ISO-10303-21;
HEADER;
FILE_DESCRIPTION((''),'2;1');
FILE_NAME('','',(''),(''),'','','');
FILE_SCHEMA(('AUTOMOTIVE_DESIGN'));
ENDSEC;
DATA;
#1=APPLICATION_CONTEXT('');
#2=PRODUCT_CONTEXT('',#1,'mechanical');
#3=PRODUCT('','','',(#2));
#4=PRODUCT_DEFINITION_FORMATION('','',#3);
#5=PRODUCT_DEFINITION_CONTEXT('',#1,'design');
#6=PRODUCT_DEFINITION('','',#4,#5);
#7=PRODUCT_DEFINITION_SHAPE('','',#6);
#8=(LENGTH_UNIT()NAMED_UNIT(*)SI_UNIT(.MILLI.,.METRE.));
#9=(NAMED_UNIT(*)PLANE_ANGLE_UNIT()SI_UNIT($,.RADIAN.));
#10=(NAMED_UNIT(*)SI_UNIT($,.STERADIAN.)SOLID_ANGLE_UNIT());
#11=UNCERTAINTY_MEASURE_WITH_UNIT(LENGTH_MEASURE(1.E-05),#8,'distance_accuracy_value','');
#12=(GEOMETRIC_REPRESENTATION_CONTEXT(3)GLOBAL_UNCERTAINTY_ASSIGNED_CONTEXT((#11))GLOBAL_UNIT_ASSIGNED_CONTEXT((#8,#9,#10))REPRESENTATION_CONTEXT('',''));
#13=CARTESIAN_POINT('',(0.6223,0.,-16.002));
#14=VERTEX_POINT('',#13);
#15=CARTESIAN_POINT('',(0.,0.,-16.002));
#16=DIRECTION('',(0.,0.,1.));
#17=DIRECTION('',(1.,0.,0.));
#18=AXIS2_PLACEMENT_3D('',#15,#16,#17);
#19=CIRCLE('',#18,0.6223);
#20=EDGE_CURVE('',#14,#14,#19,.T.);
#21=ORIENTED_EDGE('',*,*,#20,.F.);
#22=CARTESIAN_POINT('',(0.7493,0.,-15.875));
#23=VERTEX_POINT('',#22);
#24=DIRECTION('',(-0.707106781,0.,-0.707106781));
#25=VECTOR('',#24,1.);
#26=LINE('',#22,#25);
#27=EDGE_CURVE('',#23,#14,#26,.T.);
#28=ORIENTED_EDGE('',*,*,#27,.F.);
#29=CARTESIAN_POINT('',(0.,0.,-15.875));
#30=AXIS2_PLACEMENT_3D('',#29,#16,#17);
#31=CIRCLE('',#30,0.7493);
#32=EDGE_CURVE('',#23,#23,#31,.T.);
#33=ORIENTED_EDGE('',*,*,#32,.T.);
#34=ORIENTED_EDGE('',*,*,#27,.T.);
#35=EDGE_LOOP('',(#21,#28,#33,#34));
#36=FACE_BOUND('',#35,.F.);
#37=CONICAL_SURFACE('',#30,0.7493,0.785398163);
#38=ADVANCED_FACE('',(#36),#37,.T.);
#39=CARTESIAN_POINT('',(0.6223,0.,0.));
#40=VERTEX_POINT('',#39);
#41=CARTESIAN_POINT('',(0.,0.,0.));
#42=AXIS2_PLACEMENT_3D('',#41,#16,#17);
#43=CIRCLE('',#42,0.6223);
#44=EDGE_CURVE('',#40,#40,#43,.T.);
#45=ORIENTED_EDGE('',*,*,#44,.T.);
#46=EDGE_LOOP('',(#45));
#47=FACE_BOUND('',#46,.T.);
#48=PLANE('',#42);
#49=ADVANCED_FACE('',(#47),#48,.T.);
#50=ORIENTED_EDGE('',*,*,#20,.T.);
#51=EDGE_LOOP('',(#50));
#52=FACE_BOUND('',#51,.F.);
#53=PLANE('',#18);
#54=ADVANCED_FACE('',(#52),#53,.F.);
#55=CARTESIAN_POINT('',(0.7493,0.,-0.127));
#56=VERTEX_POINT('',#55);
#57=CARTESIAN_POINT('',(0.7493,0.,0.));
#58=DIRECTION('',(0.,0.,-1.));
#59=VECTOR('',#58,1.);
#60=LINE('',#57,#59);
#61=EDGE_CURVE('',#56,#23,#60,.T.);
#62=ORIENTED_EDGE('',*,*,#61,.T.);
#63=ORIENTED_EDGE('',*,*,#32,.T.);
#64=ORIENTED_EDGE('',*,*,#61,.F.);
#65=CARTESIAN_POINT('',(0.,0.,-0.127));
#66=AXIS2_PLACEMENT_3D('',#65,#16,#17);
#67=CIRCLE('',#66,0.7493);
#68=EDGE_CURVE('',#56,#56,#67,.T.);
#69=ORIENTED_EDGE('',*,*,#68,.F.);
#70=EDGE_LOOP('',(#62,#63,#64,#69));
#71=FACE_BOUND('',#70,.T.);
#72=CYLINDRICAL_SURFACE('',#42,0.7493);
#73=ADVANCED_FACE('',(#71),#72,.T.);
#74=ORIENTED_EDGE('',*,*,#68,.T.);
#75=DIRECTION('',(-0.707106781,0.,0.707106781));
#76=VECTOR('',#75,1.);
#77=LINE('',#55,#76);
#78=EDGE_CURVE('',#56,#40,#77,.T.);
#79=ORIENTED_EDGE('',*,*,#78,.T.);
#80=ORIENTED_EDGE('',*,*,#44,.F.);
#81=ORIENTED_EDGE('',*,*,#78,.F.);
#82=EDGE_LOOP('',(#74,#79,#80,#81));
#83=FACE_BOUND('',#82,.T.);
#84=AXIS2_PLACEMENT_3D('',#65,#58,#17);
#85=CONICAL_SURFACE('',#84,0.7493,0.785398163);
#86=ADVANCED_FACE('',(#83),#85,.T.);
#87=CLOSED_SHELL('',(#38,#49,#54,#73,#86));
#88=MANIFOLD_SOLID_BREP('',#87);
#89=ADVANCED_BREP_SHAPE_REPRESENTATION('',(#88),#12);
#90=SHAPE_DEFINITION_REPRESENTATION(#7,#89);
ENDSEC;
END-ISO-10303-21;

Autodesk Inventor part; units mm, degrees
ref_plane "YZ Plane" through (0, 0, 0) normal (1, 0, 0) x (0, 1, 0)
ref_plane "XZ Plane" through (0, 0, 0) normal (0, 1, 0) x (-1, 0, 0)
ref_plane "XY Plane" through (0, 0, 0) normal (0, 0, 1) x (1, 0, 0)
sketch "Sketch1" plane through (0, 0, 0) normal (0, 0, 1) x (1, 0, 0)
  circle A0 centre (0, 0) radius 0.7493
  dimension "d0" = 1.4986
extrude "Extrusion1" add sketch "Sketch1" against normal blind 16.002
chamfer "Chamfer1" distance 0.127 angle 45 2 edges at (-0.7493, 0, 0) (-0.7493, 0, -16.002)
properties part number "276-2181-010 Rev1" material "Steel, Mild"
